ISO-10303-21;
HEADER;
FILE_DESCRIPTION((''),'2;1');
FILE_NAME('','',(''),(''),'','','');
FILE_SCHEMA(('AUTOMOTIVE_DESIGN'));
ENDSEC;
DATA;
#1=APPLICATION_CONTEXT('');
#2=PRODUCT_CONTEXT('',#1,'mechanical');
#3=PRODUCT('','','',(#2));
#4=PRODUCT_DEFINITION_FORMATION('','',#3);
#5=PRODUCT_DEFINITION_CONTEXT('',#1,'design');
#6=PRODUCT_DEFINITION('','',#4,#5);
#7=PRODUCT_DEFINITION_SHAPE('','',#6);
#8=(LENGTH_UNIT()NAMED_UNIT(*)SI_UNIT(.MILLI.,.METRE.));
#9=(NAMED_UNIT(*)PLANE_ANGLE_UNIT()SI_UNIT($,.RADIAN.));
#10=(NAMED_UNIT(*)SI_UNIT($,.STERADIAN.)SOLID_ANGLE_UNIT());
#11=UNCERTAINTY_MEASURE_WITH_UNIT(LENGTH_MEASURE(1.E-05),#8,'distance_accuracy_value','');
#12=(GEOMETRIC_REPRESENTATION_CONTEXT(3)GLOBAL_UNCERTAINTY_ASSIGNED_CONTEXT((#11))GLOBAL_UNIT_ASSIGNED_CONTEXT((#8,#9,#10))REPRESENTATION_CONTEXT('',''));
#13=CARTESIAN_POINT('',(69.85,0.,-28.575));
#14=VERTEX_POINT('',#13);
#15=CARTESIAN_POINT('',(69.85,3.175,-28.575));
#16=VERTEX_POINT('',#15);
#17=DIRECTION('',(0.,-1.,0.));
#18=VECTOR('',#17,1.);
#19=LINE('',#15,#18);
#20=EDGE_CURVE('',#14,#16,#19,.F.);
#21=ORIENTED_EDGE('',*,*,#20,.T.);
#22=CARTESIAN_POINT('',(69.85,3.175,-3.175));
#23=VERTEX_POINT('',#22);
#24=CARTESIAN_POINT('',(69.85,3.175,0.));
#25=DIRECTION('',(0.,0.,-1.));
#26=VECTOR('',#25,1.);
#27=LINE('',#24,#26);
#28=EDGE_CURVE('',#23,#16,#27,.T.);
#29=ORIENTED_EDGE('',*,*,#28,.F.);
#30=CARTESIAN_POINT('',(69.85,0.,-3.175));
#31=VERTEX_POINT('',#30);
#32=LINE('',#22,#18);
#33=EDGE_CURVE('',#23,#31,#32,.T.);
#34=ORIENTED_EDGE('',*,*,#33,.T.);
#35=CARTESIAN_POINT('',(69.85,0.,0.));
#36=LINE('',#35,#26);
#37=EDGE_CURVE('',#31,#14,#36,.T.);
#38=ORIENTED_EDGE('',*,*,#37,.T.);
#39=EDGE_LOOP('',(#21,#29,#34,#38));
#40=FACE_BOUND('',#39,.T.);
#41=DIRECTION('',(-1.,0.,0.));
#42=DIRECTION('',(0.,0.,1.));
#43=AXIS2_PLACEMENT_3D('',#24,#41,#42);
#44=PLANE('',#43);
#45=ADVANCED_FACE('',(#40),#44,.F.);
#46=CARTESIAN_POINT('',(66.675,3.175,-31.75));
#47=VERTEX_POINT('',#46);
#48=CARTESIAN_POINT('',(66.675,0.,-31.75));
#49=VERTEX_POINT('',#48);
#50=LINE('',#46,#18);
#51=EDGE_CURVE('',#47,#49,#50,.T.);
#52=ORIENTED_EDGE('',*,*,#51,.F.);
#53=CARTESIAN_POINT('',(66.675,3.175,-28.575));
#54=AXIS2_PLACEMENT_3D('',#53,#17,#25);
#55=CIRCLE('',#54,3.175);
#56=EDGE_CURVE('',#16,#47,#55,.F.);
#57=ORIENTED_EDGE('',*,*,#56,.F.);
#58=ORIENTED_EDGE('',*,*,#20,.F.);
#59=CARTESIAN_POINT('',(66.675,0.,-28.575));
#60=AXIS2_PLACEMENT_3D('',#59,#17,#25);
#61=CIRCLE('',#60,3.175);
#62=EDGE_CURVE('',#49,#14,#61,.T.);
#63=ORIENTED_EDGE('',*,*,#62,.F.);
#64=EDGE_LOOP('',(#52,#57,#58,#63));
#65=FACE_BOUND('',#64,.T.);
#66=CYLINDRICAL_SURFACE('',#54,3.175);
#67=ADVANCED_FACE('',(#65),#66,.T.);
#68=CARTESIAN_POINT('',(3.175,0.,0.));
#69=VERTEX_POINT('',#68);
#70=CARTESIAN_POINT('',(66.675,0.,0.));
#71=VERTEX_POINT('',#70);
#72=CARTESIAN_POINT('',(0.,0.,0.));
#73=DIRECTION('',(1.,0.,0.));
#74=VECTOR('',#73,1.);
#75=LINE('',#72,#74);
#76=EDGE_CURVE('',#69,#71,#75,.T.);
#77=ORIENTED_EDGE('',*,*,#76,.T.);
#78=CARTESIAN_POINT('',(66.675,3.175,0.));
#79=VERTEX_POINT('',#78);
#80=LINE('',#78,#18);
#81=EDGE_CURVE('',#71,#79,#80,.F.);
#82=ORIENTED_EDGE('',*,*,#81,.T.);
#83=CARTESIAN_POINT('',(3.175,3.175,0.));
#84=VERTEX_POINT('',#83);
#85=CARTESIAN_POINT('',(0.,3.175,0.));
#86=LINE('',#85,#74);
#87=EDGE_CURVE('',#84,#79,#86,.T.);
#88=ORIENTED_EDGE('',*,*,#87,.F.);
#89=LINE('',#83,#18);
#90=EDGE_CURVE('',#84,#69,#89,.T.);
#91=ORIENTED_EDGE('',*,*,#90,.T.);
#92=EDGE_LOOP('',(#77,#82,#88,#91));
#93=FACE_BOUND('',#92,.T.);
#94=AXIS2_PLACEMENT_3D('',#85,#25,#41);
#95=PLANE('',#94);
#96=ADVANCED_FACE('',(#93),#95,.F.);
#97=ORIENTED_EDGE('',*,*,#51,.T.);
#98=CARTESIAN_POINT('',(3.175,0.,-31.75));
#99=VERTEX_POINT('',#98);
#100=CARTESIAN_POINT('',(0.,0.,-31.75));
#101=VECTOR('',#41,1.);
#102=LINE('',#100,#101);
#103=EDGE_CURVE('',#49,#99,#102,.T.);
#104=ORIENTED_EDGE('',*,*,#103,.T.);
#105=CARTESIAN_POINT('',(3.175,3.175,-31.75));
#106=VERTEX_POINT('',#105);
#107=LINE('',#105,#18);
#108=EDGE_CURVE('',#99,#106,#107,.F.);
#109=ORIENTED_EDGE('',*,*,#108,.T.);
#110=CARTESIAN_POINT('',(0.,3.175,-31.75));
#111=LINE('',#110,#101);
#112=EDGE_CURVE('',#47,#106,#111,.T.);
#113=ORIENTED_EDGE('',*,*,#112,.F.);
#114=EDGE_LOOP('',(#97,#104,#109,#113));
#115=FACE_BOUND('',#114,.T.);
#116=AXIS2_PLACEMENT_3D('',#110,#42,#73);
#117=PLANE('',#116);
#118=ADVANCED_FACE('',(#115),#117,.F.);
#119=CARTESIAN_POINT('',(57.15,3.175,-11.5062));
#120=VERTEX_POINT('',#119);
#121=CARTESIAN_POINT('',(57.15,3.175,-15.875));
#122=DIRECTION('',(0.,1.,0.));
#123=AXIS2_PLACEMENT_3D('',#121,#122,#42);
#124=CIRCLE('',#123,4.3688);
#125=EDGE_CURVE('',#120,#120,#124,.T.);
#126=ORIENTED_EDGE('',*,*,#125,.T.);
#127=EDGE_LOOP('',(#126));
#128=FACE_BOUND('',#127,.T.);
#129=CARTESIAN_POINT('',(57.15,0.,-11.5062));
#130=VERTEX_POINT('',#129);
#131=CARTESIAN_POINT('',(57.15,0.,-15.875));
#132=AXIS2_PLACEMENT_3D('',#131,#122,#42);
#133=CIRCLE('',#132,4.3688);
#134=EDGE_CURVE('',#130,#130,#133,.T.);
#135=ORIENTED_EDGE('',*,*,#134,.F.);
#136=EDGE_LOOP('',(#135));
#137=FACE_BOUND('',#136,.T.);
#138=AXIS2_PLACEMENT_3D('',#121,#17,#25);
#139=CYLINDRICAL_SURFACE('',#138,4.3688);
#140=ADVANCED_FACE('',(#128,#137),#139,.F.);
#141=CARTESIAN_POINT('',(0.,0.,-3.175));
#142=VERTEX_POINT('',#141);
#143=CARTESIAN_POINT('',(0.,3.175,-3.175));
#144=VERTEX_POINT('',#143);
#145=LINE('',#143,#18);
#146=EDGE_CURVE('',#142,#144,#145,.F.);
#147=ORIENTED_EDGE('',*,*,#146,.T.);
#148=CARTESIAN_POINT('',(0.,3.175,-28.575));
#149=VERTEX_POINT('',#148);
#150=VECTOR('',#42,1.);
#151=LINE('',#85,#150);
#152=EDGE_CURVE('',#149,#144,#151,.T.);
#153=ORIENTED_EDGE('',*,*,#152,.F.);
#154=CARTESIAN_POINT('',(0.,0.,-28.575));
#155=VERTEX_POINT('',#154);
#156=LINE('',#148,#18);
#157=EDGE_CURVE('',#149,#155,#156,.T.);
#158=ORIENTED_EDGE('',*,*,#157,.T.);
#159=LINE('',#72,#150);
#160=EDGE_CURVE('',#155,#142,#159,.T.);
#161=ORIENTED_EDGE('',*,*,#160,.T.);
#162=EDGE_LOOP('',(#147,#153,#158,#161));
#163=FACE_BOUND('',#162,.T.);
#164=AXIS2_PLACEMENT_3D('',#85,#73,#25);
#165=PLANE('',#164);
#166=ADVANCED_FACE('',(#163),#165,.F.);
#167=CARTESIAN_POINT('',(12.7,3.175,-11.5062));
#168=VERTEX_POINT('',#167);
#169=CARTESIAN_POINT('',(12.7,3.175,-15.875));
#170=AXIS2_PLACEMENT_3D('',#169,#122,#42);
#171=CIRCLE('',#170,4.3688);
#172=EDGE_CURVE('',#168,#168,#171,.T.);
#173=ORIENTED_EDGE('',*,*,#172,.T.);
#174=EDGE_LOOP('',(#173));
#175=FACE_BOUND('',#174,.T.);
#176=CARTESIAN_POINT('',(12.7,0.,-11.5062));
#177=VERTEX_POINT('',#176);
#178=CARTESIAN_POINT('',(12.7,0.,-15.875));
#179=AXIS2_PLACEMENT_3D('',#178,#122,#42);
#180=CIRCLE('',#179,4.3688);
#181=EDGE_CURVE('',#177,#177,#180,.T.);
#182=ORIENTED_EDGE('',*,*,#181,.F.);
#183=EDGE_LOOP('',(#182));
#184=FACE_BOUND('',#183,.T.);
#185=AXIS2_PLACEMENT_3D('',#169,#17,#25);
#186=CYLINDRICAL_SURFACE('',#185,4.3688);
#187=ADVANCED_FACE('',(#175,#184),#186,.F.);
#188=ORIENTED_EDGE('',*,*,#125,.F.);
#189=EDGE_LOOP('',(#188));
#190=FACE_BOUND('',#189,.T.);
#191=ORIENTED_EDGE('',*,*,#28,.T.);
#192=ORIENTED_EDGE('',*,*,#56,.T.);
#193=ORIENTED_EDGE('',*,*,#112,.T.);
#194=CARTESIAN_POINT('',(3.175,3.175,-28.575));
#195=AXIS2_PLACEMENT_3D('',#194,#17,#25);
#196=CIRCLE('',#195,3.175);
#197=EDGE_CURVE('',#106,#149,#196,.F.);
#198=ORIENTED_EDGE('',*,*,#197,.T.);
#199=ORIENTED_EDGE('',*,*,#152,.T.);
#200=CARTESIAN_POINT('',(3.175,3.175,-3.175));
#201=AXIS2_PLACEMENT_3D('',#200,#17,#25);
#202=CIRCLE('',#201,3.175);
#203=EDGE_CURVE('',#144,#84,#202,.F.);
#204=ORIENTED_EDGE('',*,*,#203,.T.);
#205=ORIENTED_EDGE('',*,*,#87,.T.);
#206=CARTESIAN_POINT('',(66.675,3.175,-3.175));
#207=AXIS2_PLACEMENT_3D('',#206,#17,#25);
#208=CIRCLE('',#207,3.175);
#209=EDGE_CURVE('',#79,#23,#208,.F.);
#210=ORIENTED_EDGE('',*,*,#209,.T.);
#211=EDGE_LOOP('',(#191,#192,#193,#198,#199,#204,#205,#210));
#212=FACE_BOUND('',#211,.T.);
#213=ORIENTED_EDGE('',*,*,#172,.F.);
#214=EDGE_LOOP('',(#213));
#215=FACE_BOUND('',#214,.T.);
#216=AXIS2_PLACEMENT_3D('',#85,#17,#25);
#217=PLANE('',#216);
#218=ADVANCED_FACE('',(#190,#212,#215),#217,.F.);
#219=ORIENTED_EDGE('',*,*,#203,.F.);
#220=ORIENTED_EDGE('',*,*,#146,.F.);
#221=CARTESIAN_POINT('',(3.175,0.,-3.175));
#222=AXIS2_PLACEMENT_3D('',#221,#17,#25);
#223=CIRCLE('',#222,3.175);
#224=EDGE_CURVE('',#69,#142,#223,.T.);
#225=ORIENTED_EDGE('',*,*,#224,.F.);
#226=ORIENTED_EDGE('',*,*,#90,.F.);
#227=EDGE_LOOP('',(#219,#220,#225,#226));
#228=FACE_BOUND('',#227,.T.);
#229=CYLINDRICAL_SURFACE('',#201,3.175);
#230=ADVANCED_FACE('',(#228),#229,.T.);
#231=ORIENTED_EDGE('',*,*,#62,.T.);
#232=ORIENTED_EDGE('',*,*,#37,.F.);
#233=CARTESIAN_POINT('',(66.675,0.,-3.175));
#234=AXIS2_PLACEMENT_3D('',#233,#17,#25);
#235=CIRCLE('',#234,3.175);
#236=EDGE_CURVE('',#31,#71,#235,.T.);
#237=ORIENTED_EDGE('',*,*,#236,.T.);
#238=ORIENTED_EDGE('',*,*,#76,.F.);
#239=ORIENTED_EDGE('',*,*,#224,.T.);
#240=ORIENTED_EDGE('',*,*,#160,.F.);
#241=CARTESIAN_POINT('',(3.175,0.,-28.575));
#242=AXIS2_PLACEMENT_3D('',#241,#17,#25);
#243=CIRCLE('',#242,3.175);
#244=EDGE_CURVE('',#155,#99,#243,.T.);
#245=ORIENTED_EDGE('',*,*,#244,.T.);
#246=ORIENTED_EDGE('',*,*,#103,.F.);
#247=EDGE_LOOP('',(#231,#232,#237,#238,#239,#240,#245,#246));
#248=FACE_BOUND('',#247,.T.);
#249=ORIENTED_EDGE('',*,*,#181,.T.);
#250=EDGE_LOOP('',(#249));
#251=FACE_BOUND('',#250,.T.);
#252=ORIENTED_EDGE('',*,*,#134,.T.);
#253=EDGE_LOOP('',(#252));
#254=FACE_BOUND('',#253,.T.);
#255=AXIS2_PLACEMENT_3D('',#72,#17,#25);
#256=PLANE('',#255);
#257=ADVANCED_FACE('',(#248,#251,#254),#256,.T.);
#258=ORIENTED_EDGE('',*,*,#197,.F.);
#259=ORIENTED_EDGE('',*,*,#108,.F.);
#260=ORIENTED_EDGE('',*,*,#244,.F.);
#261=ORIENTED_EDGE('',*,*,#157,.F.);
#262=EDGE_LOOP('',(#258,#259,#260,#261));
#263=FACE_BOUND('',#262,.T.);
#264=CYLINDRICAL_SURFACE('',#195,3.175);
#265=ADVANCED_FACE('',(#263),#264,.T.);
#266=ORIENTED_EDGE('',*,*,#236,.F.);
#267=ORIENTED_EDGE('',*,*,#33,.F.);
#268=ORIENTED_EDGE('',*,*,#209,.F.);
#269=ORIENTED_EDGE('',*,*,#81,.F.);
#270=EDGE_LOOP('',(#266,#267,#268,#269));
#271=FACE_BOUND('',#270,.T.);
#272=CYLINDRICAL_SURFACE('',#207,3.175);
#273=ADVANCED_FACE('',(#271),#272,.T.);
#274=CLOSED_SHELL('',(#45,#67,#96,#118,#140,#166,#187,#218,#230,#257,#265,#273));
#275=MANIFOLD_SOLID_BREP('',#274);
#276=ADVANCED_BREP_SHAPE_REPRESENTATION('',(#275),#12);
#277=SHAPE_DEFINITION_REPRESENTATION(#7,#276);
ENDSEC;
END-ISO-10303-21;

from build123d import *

# Parameters (mm, degrees)
SKETCH1_W           = 69.85
SKETCH1_H           = 31.75
SKETCH1_R           = 4.3688
BOSS_EXTRUDE1_DEPTH = 3.175
FILLET1_R           = 3.175


with BuildPart() as part:
    # Sketch1 → Boss-Extrude1 (new body)
    with BuildSketch(Plane(origin=(0, 0, 0), x_dir=(1, 0, 0), z_dir=(0, 1, 0))):
        with Locations((34.925, 15.875)):
            Rectangle(SKETCH1_W, SKETCH1_H)
        with Locations(Location((12.7, 15.875, 0), (0, 0, 270))):
            Circle(SKETCH1_R, mode=Mode.SUBTRACT)
        with Locations(Location((57.15, 15.875, 0), (0, 0, 270))):
            Circle(SKETCH1_R, mode=Mode.SUBTRACT)
    extrude(amount=BOSS_EXTRUDE1_DEPTH)

    # Fillet1
    fillet1_edges = [part.edges().sort_by_distance(p)[0] for p in [
        (0, 1.5875, -31.75),
        (69.85, 1.5875, -31.75),
        (69.85, 1.5875, 0),
        (0, 1.5875, 0),
    ]]
    fillet(fillet1_edges, radius=FILLET1_R)


solid = part.part
